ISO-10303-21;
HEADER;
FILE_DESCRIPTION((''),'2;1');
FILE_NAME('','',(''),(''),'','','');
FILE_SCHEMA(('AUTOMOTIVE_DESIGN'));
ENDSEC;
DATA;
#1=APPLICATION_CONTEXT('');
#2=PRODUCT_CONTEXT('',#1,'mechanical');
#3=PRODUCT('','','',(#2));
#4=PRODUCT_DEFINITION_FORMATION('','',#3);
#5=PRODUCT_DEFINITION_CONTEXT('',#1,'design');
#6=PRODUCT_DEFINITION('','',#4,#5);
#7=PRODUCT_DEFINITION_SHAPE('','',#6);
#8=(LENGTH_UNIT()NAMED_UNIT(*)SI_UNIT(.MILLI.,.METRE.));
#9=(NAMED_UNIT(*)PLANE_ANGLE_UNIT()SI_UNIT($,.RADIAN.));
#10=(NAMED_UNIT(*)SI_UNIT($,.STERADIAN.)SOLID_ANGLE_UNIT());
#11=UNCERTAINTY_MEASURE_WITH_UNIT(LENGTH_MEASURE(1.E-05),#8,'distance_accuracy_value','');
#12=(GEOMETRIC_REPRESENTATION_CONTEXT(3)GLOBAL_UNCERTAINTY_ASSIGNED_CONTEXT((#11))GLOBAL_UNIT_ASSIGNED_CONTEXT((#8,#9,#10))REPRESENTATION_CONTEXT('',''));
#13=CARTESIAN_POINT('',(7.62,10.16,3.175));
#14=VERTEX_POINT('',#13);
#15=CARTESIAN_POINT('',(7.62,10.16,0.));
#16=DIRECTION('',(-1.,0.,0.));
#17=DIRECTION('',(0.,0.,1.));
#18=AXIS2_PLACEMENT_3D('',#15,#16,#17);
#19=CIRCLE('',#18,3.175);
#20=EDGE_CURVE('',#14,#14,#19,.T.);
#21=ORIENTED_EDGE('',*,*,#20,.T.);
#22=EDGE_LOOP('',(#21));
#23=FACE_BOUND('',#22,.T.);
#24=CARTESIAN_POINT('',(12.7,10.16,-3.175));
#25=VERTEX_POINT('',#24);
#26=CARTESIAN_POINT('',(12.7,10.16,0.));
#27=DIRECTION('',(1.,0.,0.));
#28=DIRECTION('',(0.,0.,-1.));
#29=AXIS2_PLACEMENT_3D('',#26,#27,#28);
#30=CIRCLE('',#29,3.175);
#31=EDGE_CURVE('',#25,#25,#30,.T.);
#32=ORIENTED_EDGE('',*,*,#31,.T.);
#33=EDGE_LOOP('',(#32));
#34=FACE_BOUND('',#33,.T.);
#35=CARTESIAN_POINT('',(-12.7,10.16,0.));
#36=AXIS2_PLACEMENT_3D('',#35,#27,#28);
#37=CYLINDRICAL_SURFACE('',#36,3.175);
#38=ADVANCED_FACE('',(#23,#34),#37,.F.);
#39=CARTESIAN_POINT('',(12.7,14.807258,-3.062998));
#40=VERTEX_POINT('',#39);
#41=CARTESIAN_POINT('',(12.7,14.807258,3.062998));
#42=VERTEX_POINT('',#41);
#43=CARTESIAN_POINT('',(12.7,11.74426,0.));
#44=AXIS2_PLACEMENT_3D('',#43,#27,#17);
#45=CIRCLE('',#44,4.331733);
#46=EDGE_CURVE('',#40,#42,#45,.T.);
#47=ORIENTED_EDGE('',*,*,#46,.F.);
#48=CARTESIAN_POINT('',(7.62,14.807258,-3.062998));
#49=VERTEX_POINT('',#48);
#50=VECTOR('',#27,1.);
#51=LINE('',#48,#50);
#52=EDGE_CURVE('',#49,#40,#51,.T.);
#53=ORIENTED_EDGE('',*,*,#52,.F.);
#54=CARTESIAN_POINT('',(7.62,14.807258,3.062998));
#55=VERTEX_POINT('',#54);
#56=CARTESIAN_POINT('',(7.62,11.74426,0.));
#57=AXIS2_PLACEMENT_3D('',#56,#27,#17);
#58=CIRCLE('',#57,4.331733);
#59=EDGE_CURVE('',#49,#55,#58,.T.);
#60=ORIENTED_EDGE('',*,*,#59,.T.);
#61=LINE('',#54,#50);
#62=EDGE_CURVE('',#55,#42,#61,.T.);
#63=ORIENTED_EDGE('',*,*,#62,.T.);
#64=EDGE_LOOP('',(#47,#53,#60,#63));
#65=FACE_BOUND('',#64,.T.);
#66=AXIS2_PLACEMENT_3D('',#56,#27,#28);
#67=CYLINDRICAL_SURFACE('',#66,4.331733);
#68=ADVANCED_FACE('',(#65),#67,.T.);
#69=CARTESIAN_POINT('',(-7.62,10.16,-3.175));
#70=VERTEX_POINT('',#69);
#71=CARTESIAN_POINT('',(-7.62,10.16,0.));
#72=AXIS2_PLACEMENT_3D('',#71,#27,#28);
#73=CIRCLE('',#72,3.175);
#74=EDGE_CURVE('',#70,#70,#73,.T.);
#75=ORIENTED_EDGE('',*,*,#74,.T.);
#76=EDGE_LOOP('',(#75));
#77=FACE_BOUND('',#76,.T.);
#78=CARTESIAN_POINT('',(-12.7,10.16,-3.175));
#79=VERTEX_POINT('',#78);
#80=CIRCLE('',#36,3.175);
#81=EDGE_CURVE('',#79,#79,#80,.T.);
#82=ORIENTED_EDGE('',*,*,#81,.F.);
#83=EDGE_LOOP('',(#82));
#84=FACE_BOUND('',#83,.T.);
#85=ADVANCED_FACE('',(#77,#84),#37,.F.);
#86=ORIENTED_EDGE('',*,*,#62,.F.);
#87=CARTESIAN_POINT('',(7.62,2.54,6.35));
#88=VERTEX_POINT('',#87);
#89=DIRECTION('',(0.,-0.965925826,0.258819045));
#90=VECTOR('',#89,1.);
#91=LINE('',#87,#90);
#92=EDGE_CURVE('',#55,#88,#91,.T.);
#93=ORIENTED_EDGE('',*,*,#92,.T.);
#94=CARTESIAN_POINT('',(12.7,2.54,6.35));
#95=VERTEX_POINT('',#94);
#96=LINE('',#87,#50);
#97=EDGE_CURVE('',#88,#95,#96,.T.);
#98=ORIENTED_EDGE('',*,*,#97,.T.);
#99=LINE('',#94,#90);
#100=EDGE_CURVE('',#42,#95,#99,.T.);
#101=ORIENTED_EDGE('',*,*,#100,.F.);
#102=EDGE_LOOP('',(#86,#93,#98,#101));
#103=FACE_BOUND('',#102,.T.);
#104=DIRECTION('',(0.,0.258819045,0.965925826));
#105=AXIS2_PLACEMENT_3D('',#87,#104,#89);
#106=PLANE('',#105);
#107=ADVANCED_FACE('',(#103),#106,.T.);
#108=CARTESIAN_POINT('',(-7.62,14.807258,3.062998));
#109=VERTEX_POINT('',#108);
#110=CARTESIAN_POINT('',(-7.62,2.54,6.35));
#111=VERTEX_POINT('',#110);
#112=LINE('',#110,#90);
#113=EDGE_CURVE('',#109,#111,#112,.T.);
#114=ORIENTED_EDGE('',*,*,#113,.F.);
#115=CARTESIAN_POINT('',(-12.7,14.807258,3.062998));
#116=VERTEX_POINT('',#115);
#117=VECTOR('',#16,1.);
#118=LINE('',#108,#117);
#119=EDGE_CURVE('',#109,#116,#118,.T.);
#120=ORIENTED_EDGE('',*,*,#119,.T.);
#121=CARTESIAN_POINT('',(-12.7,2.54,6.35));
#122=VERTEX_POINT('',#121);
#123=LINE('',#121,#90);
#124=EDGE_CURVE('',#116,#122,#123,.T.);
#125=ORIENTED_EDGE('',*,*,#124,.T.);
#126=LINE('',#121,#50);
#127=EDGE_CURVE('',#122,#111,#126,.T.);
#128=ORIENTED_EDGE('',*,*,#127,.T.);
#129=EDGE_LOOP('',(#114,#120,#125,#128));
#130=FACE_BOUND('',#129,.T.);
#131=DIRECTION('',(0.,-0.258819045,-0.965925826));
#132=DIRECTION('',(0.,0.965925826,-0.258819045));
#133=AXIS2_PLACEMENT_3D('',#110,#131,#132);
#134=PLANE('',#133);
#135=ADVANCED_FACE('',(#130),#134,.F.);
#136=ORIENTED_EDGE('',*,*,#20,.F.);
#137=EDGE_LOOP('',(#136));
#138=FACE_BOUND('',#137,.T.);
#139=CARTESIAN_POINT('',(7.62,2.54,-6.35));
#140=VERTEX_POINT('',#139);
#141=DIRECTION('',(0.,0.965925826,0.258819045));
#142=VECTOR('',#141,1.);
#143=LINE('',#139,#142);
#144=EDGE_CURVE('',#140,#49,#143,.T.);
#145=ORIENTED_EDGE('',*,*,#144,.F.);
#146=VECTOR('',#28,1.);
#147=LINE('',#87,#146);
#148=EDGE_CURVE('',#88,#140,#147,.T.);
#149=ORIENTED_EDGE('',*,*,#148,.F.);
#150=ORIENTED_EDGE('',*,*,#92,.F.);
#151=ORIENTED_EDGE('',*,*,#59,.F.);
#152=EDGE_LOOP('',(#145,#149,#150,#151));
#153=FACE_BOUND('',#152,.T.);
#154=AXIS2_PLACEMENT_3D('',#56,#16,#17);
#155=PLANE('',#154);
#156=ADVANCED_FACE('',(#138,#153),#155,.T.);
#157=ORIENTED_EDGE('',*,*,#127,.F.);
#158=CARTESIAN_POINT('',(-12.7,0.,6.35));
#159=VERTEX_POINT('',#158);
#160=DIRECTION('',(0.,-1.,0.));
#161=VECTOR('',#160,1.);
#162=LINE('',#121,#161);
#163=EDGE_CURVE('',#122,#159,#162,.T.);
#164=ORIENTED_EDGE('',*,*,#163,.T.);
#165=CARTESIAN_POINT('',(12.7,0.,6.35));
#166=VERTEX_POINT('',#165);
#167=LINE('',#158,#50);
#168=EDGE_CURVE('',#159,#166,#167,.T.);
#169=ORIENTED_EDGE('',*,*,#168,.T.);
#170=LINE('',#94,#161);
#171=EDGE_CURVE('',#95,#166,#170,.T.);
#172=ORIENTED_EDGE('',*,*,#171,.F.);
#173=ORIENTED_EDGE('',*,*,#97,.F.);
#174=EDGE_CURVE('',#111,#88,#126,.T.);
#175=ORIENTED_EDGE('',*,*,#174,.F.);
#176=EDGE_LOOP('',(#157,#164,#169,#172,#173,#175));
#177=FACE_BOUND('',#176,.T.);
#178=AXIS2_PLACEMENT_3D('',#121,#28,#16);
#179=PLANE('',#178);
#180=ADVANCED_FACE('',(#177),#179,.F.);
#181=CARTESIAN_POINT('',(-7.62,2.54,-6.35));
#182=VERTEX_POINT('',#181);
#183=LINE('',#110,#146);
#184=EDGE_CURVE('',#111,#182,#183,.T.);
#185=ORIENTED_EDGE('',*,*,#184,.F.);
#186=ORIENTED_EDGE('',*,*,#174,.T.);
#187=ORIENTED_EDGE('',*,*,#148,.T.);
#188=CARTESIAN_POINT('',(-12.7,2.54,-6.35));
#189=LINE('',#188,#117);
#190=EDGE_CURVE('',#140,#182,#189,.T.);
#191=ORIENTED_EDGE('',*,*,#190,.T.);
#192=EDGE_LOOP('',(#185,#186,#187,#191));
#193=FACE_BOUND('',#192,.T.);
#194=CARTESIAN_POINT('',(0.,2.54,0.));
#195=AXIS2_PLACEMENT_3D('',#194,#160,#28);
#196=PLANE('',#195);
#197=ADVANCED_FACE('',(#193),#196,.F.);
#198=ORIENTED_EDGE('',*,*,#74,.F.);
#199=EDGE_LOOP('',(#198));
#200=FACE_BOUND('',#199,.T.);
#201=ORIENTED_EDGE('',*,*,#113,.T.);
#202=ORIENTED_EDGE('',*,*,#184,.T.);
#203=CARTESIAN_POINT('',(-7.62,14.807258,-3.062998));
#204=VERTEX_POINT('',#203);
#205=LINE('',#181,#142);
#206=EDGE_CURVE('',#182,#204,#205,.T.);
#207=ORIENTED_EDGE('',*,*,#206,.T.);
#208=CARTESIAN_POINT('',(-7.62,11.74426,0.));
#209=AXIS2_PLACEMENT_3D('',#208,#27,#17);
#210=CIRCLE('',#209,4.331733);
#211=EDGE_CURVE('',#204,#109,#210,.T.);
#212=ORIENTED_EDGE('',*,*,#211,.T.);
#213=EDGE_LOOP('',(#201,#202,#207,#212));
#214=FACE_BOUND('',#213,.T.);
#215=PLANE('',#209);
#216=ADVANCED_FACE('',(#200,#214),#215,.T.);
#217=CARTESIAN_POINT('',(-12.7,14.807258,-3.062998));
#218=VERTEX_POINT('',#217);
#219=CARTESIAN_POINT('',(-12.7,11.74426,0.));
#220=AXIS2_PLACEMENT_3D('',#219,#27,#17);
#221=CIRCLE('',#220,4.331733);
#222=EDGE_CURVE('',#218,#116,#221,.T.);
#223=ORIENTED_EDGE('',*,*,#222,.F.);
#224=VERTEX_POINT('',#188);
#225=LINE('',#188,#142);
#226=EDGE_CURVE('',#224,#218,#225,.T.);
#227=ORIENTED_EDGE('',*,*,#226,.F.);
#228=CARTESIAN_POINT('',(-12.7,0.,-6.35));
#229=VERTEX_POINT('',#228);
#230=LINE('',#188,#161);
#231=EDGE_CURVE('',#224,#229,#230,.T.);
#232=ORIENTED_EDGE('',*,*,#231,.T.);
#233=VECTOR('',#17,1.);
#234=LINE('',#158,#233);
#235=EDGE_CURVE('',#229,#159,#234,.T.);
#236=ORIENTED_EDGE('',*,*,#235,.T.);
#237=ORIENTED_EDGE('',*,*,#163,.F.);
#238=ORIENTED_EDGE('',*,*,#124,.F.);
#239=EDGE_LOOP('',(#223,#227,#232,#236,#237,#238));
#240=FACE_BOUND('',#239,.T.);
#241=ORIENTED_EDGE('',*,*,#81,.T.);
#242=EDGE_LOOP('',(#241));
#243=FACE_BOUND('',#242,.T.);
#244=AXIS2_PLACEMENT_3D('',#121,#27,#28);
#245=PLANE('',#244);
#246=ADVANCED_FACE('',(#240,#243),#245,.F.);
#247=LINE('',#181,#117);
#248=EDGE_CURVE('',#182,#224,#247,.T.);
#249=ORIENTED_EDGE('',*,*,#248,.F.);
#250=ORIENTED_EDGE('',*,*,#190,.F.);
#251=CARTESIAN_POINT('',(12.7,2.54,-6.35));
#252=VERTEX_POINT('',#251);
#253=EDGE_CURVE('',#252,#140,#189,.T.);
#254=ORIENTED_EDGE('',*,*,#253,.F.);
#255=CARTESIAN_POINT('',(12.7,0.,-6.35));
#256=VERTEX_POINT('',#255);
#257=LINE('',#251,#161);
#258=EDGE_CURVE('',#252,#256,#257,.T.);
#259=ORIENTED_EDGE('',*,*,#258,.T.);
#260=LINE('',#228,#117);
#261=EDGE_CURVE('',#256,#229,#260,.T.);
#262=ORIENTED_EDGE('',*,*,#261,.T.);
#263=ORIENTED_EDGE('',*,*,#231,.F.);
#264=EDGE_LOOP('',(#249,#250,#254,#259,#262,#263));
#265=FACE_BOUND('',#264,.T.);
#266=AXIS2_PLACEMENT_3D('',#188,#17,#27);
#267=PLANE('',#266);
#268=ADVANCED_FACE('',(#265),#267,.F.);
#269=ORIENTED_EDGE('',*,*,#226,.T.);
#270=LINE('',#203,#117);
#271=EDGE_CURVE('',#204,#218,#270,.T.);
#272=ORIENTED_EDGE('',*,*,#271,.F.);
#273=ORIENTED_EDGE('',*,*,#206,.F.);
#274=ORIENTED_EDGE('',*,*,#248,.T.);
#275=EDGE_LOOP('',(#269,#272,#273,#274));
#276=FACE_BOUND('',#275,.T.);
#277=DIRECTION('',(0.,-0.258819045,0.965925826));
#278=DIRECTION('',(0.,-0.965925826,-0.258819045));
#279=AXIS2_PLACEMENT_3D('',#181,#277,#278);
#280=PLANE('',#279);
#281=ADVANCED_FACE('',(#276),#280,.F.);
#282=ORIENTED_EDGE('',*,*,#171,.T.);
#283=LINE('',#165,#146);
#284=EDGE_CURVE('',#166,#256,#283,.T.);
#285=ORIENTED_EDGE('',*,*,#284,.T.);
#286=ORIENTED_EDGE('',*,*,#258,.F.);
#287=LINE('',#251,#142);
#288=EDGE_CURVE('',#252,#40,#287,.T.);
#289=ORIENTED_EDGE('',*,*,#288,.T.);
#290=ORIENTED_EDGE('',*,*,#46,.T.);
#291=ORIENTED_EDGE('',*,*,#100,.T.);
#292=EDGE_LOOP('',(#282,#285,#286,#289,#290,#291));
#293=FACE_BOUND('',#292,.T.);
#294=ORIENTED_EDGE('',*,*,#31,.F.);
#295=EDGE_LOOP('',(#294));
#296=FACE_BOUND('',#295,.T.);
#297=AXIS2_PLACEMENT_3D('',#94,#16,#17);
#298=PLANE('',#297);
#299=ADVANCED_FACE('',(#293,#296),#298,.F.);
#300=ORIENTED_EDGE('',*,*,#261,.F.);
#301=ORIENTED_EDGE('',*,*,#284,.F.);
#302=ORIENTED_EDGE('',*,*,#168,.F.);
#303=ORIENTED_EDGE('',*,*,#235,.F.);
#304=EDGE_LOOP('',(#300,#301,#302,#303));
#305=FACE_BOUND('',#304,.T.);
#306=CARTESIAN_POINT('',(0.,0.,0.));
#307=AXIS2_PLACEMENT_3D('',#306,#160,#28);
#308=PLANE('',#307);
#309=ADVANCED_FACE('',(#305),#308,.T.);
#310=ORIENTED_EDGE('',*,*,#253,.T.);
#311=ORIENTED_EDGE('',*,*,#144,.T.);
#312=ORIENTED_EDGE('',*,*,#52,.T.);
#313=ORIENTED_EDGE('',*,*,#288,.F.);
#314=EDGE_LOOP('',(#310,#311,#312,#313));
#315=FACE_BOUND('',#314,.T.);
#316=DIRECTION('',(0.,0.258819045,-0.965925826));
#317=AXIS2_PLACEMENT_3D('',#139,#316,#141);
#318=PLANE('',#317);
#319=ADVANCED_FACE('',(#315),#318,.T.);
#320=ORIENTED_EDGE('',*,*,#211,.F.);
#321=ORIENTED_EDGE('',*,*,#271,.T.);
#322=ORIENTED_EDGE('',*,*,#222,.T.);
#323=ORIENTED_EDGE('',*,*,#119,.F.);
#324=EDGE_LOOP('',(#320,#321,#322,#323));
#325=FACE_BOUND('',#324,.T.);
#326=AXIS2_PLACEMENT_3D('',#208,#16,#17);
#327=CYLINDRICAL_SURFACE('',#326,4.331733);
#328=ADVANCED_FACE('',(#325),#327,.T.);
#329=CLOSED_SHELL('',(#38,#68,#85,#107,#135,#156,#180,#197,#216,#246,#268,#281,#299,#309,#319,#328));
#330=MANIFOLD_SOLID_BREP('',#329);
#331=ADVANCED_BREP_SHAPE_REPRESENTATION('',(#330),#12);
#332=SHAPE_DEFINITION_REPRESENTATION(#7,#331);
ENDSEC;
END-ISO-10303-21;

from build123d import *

# Parameters (mm, degrees)
SKETCH1_W           = 25.4
SKETCH1_H           = 12.7
BOSS_EXTRUDE1_DEPTH = 2.54
BOSS_EXTRUDE2_DEPTH = 5.08
SKETCH3_R           = 3.175
CUT_EXTRUDE1_DEPTH  = 26.4


with BuildPart() as part:
    # Sketch1 → Boss-Extrude1 (new body)
    with BuildSketch(Plane(origin=(0, 0, 0), x_dir=(1, 0, 0), z_dir=(0, 1, 0))):
        Rectangle(SKETCH1_W, SKETCH1_H)
    extrude(amount=BOSS_EXTRUDE1_DEPTH)

    # Sketch2 → Boss-Extrude2 (add)
    with BuildSketch(Plane(origin=(12.7, 0, 0), x_dir=(0, 0, -1), z_dir=(1, 0, 0))):
        with BuildLine():
            Line((-6.35, 2.54), (-3.062998127, 14.807257994))
            ThreePointArc((-3.062998127, 14.807257994), (0, 16.07599336), (3.062998127, 14.807257994))
            Line((3.062998127, 14.807257994), (6.35, 2.54))
            Line((6.35, 2.54), (-6.35, 2.54))
        make_face()
    boss_extrude2 = extrude(amount=-BOSS_EXTRUDE2_DEPTH)

    # Mirror1: Boss-Extrude2 across plane
    add(boss_extrude2.mirror(Plane(origin=(0, 0, 0), x_dir=(0, 0, 1), z_dir=(1, 0, 0))))

    # Sketch3 → Cut-Extrude1 (cut, through all)
    with BuildSketch(Plane(origin=(12.7, 0, 0), x_dir=(0, 0, -1), z_dir=(1, 0, 0))):
        with Locations((0, 10.16)):
            Circle(SKETCH3_R)
    extrude(amount=-CUT_EXTRUDE1_DEPTH, mode=Mode.SUBTRACT)


solid = part.part
